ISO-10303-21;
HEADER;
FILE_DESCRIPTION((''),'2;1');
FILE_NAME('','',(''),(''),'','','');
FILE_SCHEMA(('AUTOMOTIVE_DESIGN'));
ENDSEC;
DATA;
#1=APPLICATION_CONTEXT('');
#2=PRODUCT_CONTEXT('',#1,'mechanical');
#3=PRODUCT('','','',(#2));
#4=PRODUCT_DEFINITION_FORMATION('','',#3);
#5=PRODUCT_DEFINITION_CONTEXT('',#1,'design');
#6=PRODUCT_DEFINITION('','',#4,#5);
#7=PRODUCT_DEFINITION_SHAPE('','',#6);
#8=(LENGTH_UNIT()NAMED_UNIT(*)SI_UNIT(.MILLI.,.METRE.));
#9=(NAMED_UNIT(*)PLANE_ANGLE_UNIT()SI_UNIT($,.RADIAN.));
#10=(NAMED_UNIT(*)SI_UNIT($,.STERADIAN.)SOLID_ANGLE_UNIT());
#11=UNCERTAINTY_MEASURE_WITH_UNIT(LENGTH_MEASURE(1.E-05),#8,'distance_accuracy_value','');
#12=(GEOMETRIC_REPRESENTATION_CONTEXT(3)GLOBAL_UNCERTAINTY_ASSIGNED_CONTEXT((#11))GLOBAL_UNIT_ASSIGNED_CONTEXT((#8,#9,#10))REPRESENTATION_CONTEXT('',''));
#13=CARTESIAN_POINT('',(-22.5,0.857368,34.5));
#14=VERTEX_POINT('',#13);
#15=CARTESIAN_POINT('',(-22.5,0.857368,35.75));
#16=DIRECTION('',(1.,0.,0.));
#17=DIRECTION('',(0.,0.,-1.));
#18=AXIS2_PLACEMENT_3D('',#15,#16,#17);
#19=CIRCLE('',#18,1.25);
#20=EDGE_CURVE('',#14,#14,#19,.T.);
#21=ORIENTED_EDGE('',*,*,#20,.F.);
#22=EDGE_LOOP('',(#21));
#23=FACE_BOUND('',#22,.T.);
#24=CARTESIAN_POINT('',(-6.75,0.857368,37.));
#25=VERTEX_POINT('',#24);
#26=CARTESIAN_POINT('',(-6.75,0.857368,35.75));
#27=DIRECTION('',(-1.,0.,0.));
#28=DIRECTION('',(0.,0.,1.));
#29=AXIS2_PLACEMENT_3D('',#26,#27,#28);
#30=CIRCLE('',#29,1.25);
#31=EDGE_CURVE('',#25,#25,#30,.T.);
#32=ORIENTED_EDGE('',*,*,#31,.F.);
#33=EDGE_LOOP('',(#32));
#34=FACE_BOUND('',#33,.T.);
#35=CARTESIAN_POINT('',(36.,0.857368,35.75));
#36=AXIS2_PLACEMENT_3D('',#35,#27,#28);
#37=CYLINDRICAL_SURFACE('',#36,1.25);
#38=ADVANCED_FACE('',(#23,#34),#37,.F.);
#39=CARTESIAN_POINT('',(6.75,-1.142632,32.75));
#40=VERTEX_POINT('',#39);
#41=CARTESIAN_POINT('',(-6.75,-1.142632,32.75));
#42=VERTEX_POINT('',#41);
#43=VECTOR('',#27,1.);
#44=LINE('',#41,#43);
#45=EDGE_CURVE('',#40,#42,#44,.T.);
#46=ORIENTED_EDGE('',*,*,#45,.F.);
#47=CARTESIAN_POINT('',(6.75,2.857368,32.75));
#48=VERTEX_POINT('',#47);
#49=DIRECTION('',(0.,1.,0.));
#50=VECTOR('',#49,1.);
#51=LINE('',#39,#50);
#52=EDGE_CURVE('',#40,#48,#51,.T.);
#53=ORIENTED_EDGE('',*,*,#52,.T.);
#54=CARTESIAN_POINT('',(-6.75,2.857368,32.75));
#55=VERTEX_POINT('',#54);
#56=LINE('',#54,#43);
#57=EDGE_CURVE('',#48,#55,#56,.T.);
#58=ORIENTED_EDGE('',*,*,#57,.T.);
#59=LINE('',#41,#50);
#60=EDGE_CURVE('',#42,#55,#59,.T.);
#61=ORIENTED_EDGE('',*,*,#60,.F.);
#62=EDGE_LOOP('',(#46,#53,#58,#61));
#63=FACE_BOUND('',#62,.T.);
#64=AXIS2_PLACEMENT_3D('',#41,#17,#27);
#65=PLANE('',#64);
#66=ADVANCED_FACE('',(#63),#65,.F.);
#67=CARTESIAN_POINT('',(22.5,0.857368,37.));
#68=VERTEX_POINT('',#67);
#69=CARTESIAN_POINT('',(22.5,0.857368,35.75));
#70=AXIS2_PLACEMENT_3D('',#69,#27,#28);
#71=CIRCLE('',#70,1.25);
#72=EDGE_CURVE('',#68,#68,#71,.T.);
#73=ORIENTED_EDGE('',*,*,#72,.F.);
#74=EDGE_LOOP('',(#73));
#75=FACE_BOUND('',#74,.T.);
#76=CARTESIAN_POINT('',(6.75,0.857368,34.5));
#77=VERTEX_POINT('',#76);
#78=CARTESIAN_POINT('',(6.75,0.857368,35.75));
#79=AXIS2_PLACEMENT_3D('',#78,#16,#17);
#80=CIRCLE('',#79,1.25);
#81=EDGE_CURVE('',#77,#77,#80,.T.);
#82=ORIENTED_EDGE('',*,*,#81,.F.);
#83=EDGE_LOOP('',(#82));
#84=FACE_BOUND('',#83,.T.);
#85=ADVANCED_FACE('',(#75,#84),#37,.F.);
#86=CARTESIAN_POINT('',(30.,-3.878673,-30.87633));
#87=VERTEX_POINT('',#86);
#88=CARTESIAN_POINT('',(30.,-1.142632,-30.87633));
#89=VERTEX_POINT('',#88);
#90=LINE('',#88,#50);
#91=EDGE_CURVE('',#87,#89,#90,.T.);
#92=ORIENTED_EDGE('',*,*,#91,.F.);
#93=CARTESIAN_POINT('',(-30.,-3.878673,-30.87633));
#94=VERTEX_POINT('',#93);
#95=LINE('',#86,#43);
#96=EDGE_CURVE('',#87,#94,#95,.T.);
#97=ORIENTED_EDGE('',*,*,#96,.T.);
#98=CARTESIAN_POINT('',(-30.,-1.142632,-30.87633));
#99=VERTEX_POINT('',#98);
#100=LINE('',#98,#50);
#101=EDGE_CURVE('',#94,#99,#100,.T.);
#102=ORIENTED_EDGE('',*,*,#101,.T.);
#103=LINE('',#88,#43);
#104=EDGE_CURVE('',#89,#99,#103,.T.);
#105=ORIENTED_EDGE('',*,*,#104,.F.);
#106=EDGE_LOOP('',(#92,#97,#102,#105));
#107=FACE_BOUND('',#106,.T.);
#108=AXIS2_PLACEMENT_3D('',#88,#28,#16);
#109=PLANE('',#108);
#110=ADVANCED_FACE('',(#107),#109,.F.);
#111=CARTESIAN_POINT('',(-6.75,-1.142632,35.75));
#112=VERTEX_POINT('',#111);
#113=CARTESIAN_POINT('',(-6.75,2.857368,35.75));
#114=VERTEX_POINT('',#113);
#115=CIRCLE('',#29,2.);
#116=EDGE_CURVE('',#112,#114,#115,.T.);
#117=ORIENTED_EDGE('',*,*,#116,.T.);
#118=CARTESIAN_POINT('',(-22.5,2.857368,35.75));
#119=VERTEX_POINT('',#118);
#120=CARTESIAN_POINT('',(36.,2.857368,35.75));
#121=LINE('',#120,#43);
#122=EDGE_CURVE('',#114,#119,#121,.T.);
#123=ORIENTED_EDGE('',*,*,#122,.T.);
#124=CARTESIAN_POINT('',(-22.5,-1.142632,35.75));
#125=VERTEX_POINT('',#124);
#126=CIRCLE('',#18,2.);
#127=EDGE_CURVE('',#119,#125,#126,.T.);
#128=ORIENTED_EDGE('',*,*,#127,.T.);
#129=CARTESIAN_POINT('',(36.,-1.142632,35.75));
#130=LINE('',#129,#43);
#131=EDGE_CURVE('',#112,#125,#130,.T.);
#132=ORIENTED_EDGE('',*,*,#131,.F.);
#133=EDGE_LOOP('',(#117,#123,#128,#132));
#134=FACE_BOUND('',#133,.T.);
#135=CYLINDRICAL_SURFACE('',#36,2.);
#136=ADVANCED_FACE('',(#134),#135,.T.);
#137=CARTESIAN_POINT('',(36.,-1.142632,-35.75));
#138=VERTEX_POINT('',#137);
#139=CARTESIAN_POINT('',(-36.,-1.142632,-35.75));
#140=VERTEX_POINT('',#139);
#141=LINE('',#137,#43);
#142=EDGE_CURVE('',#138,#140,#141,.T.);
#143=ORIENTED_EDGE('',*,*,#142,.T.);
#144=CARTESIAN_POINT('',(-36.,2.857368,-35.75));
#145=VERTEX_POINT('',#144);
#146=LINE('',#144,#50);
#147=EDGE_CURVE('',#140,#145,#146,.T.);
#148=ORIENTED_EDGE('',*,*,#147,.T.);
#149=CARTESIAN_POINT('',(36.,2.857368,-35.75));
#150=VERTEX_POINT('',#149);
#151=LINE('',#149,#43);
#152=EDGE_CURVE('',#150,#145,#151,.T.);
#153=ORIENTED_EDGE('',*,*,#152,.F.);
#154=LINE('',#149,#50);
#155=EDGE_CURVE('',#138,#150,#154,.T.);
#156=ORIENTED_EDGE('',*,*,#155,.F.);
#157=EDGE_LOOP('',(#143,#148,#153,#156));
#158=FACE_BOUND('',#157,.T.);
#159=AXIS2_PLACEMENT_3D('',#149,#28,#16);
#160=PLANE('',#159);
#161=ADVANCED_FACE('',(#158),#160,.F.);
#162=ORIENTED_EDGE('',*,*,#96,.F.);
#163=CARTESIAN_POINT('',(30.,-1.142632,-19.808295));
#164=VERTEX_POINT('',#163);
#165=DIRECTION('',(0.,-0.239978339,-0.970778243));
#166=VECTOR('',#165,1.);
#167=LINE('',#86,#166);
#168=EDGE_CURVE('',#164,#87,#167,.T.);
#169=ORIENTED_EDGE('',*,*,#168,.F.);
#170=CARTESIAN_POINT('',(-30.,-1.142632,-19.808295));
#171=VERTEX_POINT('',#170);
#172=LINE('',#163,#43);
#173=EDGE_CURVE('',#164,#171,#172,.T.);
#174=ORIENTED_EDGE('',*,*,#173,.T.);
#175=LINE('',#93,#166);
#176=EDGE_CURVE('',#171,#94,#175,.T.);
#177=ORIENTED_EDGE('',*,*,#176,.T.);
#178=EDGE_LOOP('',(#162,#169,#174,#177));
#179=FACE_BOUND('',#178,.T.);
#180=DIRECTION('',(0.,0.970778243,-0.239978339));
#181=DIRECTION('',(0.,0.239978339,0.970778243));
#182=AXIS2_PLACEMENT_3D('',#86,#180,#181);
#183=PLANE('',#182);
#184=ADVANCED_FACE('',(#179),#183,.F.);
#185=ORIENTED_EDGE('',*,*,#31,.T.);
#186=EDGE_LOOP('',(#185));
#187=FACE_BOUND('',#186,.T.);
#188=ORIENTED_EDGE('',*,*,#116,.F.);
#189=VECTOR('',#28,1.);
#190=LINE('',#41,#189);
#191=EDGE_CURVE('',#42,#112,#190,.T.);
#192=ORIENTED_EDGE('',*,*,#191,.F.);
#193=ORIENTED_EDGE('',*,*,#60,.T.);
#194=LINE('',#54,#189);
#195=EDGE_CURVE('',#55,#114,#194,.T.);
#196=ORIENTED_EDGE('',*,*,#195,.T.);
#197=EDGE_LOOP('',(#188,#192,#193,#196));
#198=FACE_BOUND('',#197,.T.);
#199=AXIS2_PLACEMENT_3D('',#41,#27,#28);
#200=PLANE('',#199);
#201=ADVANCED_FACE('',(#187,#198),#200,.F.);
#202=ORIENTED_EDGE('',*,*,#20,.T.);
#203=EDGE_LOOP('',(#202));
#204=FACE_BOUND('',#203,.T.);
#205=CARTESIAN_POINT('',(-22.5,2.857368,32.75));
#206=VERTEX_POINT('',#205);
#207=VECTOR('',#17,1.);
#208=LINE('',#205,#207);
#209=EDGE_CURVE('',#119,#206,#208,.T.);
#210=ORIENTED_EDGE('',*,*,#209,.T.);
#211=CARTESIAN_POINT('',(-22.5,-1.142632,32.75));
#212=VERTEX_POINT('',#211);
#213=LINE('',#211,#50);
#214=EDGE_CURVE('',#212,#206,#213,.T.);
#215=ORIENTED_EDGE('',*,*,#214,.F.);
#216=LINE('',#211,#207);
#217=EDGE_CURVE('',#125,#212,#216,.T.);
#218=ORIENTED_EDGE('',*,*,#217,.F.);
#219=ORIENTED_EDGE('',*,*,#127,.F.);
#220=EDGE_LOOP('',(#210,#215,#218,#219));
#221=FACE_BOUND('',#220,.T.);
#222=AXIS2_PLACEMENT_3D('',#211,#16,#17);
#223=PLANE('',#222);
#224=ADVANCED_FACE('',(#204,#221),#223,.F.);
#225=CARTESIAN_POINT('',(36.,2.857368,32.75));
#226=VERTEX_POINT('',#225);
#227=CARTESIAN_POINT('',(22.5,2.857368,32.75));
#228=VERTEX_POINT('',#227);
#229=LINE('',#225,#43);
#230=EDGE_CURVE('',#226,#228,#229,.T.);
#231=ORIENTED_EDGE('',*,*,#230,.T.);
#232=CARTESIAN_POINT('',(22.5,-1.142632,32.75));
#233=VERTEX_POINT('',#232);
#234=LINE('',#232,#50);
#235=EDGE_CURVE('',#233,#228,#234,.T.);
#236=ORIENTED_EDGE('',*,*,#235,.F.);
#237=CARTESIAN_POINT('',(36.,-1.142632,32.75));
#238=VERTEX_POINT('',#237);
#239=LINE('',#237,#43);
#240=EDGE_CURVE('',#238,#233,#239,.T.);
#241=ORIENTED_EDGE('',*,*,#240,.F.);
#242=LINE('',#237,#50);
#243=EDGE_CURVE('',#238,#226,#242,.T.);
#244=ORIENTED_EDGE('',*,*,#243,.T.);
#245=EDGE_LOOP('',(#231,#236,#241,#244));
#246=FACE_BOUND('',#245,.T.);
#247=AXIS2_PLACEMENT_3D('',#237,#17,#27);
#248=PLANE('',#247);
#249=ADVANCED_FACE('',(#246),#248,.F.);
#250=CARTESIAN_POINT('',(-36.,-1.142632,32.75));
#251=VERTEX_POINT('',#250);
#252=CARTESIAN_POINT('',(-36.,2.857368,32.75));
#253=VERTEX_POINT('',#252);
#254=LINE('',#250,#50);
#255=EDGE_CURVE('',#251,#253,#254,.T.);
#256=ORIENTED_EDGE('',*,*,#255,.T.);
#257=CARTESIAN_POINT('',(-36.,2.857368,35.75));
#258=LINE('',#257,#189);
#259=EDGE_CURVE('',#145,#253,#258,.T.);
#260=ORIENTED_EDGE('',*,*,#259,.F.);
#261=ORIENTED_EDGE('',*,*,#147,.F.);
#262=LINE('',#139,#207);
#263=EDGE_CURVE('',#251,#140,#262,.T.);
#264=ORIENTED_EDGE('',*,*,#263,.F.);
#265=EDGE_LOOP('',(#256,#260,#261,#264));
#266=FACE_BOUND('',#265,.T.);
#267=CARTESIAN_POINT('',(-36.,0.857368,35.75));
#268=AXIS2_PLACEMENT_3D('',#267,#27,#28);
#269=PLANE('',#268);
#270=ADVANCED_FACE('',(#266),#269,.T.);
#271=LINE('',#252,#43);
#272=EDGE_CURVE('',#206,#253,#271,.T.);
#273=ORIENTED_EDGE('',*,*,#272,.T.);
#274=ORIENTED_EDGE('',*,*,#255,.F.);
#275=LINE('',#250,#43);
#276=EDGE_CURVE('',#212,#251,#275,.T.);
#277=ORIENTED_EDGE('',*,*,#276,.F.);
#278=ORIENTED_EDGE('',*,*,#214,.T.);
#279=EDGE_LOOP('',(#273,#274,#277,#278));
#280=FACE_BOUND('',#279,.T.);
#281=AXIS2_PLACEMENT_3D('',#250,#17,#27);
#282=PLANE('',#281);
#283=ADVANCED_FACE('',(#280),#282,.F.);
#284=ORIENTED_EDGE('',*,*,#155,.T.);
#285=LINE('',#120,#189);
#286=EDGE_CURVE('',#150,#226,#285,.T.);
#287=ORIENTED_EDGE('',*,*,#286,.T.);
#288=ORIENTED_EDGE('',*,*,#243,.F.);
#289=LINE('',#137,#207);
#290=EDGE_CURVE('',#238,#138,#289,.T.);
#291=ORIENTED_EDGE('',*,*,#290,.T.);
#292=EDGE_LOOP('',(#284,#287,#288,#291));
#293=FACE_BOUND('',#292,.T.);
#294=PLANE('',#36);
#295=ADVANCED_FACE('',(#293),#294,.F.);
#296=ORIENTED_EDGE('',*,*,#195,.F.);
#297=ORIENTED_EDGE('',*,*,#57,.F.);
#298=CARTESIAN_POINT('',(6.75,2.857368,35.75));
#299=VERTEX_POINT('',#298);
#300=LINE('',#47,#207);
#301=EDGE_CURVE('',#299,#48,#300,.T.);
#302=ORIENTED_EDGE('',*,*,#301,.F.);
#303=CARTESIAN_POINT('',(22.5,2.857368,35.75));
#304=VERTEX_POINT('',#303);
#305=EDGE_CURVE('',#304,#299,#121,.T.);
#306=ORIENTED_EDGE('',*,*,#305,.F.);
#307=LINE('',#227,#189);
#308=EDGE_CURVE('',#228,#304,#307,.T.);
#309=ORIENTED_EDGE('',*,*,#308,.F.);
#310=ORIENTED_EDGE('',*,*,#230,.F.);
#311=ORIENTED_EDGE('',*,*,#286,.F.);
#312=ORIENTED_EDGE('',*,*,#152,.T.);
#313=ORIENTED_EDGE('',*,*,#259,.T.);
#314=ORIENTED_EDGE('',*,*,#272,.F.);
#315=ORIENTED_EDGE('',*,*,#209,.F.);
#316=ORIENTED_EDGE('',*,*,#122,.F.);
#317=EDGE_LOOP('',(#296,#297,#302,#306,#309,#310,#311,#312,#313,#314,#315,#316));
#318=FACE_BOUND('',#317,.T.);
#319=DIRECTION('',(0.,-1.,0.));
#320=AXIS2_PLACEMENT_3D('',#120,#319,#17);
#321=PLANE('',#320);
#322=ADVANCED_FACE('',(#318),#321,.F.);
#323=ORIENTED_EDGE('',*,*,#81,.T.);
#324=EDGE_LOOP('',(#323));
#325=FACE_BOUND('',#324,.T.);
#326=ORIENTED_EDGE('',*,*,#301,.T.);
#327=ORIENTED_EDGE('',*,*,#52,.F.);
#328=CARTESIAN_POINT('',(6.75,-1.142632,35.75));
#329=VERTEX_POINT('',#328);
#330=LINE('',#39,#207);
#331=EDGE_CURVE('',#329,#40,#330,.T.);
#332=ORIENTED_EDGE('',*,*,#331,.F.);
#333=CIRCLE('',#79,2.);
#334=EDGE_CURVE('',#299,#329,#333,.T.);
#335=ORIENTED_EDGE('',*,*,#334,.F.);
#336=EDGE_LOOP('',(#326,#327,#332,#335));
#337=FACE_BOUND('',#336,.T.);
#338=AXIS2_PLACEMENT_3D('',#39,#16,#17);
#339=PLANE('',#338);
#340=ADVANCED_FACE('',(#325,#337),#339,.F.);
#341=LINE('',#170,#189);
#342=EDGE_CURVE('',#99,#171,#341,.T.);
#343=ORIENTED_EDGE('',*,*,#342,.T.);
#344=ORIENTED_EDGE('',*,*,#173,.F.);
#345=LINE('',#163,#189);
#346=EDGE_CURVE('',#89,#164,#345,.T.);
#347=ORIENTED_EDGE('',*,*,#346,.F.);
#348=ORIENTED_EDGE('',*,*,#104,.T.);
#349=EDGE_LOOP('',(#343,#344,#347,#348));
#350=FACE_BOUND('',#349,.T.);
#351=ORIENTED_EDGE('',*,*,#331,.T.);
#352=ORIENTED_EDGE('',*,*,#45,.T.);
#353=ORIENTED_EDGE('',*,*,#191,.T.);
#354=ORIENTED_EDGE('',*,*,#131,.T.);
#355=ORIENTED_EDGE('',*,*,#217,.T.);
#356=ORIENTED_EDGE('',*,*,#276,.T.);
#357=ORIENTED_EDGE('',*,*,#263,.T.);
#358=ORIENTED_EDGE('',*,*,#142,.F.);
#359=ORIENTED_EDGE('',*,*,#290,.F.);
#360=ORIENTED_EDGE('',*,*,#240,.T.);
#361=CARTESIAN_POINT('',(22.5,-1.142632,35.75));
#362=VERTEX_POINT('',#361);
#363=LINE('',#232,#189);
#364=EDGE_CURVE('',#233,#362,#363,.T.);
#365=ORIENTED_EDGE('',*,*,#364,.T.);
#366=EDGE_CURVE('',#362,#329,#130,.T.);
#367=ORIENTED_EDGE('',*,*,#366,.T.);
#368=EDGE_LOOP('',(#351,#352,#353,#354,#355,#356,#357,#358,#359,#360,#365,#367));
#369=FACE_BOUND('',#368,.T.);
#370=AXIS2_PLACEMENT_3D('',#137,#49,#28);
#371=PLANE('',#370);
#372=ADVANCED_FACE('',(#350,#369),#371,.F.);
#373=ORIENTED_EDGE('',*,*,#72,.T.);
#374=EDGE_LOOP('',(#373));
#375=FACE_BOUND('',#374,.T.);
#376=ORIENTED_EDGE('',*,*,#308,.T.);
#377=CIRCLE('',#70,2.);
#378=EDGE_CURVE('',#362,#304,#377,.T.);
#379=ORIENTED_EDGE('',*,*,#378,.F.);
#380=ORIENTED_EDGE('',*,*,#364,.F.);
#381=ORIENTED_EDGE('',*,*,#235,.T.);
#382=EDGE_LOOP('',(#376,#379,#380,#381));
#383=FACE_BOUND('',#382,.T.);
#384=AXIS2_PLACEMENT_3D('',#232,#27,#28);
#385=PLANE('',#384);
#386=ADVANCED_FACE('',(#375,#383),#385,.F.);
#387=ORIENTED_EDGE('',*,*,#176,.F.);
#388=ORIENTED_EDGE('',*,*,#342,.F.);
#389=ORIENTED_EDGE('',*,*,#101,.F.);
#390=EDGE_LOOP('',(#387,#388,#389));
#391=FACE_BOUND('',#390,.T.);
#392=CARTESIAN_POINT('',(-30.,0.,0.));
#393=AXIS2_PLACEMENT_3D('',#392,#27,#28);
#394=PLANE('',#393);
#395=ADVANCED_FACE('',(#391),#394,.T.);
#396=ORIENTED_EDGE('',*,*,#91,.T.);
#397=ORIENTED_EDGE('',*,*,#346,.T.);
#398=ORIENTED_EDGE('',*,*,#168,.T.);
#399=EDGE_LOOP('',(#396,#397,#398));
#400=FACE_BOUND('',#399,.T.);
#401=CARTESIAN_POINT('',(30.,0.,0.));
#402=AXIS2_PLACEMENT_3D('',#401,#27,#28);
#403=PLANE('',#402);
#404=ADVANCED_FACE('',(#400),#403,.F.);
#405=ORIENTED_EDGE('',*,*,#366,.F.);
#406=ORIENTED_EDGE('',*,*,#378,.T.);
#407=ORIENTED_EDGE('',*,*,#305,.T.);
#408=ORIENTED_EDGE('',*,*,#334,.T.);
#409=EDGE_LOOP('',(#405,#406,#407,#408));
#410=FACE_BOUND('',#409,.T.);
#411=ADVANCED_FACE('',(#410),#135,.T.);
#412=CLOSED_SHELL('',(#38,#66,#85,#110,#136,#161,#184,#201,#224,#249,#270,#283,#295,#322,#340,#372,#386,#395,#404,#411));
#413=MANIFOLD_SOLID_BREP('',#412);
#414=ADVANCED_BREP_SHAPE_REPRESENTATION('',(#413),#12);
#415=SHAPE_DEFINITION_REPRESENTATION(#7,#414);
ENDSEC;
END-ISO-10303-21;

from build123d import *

# Parameters (mm, degrees)
SKETCH3_R               = 1.25
BOSS_EXTRUDE2_DEPTH     = 36
CUT_EXTRUDE1_DEPTH      = 53.24200467
CUT_EXTRUDE1_DEPTH_BACK = 53.24200467
SKETCH4_W               = 13.5
SKETCH4_H               = 5
BOSS_EXTRUDE3_DEPTH     = 30


with BuildPart() as part:
    # Sketch3 → Boss-Extrude2 (new, symmetric)
    with BuildSketch(Plane(origin=(0, 0, 0), x_dir=(0, 0, -1), z_dir=(1, 0, 0))):
        with BuildLine():
            Line((-35.75, 2.857368006), (35.75, 2.857368006))
            Line((35.75, 2.857368006), (35.75, -1.142631994))
            Line((35.75, -1.142631994), (-35.75, -1.142631994))
            ThreePointArc((-35.75, -1.142631994), (-37.75, 0.857368006), (-35.75, 2.857368006))
        make_face()
        with Locations((-35.75, 0.857368006)):
            Circle(SKETCH3_R, mode=Mode.SUBTRACT)
    extrude(amount=BOSS_EXTRUDE2_DEPTH, both=True)

    # Sketch4 → Cut-Extrude1 (cut, two sides: drawn at the far end of the back side and taken through both)
    with BuildSketch(Plane(origin=(0, 0, 0), x_dir=(1, 0, 0), z_dir=(0, 1, 0)).offset(-CUT_EXTRUDE1_DEPTH_BACK)):
        with Locations((-29.25, -35.25)):
            Rectangle(SKETCH4_W, SKETCH4_H)
        with Locations((29.25, -35.25)):
            Rectangle(SKETCH4_W, SKETCH4_H)
        with Locations((0, -35.25)):
            Rectangle(SKETCH4_W, SKETCH4_H)
    extrude(amount=CUT_EXTRUDE1_DEPTH + CUT_EXTRUDE1_DEPTH_BACK, mode=Mode.SUBTRACT)

    # Sketch7 → Boss-Extrude3 (add, symmetric)
    with BuildSketch(Plane(origin=(0, 0, 0), x_dir=(0, 0, -1), z_dir=(1, 0, 0))):
        Polygon((30.876330293, -1.142631994), (30.876330293, -3.878672559), (19.808295325, -1.142631994), align=None)
    extrude(amount=BOSS_EXTRUDE3_DEPTH, both=True)


solid = part.part
